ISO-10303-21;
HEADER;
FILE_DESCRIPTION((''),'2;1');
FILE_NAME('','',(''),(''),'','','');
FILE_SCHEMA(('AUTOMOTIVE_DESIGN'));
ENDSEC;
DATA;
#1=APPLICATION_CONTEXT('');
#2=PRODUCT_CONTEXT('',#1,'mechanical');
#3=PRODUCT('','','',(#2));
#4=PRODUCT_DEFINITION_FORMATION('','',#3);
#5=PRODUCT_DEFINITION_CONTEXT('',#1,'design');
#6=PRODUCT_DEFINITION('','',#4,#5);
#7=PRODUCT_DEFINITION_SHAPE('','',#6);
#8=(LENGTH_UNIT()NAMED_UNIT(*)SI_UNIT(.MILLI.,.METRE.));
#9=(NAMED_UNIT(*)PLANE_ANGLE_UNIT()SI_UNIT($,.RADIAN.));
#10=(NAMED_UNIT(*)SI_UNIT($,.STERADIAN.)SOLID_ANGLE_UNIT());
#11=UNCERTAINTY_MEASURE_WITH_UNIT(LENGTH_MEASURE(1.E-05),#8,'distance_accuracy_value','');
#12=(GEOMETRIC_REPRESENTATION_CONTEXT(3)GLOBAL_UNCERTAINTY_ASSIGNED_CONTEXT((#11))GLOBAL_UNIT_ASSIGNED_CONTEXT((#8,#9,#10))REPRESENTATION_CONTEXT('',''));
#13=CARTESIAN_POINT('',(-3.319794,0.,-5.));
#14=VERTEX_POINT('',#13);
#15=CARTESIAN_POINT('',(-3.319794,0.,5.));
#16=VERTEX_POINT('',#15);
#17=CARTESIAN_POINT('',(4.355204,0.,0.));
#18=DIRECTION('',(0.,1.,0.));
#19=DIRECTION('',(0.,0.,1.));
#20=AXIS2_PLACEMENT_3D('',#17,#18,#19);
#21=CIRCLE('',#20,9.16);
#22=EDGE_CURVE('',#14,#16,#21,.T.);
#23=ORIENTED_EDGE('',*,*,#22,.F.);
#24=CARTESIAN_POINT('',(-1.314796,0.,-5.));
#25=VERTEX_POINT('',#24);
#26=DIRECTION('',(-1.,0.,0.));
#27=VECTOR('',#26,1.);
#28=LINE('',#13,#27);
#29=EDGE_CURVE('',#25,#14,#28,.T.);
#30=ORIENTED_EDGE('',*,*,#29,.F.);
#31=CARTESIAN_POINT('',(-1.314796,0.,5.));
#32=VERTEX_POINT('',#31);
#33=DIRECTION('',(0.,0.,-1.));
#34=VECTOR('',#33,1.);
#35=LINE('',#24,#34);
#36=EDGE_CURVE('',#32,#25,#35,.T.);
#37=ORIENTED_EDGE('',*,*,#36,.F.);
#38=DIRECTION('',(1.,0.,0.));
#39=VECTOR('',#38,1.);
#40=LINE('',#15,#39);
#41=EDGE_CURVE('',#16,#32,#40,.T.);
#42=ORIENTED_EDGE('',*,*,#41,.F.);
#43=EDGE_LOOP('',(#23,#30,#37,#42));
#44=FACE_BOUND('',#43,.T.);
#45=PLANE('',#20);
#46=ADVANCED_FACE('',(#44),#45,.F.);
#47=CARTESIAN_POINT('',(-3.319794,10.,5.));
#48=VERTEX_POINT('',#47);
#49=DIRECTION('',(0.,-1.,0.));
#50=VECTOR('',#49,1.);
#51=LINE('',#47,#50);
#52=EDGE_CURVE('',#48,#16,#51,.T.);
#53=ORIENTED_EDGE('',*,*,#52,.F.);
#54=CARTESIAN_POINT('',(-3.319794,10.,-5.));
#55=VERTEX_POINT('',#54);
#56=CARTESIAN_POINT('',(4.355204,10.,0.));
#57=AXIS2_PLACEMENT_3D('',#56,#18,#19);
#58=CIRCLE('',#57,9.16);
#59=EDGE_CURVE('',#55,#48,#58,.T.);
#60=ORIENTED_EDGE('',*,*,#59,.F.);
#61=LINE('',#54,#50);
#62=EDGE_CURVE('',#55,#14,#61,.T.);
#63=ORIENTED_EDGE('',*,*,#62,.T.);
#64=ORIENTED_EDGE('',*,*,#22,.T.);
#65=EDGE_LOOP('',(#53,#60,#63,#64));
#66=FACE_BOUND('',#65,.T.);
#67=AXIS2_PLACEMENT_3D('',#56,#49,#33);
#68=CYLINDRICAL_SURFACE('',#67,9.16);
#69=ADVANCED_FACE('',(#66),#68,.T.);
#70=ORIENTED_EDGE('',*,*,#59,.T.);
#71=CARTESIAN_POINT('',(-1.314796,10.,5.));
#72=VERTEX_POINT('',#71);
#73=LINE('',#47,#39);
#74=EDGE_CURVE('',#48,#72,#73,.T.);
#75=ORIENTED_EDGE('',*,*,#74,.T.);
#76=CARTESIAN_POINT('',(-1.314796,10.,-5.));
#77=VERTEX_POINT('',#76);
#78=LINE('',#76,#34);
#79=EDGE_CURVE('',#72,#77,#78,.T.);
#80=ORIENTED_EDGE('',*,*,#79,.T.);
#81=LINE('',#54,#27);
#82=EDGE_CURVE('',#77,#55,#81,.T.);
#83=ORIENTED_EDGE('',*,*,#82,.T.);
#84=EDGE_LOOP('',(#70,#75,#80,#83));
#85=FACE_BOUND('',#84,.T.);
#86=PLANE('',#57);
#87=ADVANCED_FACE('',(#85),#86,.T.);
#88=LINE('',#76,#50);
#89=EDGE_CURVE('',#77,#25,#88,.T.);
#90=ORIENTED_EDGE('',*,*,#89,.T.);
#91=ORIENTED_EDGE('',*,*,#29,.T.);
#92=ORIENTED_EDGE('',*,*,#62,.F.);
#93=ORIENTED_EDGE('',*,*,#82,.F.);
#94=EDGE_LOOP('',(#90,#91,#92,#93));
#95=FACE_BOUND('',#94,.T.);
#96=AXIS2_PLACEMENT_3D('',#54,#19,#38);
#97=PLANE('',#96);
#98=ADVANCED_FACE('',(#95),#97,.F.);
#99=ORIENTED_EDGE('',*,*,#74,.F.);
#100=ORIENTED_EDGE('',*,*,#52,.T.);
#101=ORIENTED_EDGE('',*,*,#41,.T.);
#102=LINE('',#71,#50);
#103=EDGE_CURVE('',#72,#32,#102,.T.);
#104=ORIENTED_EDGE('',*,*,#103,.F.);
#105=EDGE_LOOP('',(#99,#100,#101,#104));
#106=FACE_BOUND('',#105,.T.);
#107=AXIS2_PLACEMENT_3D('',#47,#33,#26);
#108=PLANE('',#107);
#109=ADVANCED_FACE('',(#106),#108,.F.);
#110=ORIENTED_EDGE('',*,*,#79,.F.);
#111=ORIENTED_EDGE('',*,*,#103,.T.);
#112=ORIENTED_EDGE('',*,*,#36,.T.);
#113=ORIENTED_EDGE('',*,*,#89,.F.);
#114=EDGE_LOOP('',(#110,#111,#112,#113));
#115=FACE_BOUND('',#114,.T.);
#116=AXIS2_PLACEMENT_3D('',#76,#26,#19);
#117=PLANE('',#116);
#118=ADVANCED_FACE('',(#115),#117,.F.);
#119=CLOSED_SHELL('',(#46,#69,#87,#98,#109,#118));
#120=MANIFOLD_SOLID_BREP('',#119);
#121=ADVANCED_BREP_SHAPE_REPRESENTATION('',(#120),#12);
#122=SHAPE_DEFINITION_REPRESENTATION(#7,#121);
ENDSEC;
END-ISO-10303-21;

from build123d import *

# Parameters (mm, degrees)
EXTRUDE_1_DEPTH = 10


with BuildPart() as part:
    # 草图1 → 凸台-拉伸1 (new body)
    with BuildSketch(Plane(origin=(0, 0, 0), x_dir=(1, 0, 0), z_dir=(0, 1, 0))):
        with BuildLine():
            Line((-3.319794036, 5), (-1.314795665, 5))
            Line((-1.314795665, 5), (-1.314795665, -5))
            Line((-1.314795665, -5), (-3.319794036, -5))
            ThreePointArc((-3.319794036, -5), (-4.804795665, 0), (-3.319794036, 5))
        make_face()
    extrude(amount=EXTRUDE_1_DEPTH)


solid = part.part
